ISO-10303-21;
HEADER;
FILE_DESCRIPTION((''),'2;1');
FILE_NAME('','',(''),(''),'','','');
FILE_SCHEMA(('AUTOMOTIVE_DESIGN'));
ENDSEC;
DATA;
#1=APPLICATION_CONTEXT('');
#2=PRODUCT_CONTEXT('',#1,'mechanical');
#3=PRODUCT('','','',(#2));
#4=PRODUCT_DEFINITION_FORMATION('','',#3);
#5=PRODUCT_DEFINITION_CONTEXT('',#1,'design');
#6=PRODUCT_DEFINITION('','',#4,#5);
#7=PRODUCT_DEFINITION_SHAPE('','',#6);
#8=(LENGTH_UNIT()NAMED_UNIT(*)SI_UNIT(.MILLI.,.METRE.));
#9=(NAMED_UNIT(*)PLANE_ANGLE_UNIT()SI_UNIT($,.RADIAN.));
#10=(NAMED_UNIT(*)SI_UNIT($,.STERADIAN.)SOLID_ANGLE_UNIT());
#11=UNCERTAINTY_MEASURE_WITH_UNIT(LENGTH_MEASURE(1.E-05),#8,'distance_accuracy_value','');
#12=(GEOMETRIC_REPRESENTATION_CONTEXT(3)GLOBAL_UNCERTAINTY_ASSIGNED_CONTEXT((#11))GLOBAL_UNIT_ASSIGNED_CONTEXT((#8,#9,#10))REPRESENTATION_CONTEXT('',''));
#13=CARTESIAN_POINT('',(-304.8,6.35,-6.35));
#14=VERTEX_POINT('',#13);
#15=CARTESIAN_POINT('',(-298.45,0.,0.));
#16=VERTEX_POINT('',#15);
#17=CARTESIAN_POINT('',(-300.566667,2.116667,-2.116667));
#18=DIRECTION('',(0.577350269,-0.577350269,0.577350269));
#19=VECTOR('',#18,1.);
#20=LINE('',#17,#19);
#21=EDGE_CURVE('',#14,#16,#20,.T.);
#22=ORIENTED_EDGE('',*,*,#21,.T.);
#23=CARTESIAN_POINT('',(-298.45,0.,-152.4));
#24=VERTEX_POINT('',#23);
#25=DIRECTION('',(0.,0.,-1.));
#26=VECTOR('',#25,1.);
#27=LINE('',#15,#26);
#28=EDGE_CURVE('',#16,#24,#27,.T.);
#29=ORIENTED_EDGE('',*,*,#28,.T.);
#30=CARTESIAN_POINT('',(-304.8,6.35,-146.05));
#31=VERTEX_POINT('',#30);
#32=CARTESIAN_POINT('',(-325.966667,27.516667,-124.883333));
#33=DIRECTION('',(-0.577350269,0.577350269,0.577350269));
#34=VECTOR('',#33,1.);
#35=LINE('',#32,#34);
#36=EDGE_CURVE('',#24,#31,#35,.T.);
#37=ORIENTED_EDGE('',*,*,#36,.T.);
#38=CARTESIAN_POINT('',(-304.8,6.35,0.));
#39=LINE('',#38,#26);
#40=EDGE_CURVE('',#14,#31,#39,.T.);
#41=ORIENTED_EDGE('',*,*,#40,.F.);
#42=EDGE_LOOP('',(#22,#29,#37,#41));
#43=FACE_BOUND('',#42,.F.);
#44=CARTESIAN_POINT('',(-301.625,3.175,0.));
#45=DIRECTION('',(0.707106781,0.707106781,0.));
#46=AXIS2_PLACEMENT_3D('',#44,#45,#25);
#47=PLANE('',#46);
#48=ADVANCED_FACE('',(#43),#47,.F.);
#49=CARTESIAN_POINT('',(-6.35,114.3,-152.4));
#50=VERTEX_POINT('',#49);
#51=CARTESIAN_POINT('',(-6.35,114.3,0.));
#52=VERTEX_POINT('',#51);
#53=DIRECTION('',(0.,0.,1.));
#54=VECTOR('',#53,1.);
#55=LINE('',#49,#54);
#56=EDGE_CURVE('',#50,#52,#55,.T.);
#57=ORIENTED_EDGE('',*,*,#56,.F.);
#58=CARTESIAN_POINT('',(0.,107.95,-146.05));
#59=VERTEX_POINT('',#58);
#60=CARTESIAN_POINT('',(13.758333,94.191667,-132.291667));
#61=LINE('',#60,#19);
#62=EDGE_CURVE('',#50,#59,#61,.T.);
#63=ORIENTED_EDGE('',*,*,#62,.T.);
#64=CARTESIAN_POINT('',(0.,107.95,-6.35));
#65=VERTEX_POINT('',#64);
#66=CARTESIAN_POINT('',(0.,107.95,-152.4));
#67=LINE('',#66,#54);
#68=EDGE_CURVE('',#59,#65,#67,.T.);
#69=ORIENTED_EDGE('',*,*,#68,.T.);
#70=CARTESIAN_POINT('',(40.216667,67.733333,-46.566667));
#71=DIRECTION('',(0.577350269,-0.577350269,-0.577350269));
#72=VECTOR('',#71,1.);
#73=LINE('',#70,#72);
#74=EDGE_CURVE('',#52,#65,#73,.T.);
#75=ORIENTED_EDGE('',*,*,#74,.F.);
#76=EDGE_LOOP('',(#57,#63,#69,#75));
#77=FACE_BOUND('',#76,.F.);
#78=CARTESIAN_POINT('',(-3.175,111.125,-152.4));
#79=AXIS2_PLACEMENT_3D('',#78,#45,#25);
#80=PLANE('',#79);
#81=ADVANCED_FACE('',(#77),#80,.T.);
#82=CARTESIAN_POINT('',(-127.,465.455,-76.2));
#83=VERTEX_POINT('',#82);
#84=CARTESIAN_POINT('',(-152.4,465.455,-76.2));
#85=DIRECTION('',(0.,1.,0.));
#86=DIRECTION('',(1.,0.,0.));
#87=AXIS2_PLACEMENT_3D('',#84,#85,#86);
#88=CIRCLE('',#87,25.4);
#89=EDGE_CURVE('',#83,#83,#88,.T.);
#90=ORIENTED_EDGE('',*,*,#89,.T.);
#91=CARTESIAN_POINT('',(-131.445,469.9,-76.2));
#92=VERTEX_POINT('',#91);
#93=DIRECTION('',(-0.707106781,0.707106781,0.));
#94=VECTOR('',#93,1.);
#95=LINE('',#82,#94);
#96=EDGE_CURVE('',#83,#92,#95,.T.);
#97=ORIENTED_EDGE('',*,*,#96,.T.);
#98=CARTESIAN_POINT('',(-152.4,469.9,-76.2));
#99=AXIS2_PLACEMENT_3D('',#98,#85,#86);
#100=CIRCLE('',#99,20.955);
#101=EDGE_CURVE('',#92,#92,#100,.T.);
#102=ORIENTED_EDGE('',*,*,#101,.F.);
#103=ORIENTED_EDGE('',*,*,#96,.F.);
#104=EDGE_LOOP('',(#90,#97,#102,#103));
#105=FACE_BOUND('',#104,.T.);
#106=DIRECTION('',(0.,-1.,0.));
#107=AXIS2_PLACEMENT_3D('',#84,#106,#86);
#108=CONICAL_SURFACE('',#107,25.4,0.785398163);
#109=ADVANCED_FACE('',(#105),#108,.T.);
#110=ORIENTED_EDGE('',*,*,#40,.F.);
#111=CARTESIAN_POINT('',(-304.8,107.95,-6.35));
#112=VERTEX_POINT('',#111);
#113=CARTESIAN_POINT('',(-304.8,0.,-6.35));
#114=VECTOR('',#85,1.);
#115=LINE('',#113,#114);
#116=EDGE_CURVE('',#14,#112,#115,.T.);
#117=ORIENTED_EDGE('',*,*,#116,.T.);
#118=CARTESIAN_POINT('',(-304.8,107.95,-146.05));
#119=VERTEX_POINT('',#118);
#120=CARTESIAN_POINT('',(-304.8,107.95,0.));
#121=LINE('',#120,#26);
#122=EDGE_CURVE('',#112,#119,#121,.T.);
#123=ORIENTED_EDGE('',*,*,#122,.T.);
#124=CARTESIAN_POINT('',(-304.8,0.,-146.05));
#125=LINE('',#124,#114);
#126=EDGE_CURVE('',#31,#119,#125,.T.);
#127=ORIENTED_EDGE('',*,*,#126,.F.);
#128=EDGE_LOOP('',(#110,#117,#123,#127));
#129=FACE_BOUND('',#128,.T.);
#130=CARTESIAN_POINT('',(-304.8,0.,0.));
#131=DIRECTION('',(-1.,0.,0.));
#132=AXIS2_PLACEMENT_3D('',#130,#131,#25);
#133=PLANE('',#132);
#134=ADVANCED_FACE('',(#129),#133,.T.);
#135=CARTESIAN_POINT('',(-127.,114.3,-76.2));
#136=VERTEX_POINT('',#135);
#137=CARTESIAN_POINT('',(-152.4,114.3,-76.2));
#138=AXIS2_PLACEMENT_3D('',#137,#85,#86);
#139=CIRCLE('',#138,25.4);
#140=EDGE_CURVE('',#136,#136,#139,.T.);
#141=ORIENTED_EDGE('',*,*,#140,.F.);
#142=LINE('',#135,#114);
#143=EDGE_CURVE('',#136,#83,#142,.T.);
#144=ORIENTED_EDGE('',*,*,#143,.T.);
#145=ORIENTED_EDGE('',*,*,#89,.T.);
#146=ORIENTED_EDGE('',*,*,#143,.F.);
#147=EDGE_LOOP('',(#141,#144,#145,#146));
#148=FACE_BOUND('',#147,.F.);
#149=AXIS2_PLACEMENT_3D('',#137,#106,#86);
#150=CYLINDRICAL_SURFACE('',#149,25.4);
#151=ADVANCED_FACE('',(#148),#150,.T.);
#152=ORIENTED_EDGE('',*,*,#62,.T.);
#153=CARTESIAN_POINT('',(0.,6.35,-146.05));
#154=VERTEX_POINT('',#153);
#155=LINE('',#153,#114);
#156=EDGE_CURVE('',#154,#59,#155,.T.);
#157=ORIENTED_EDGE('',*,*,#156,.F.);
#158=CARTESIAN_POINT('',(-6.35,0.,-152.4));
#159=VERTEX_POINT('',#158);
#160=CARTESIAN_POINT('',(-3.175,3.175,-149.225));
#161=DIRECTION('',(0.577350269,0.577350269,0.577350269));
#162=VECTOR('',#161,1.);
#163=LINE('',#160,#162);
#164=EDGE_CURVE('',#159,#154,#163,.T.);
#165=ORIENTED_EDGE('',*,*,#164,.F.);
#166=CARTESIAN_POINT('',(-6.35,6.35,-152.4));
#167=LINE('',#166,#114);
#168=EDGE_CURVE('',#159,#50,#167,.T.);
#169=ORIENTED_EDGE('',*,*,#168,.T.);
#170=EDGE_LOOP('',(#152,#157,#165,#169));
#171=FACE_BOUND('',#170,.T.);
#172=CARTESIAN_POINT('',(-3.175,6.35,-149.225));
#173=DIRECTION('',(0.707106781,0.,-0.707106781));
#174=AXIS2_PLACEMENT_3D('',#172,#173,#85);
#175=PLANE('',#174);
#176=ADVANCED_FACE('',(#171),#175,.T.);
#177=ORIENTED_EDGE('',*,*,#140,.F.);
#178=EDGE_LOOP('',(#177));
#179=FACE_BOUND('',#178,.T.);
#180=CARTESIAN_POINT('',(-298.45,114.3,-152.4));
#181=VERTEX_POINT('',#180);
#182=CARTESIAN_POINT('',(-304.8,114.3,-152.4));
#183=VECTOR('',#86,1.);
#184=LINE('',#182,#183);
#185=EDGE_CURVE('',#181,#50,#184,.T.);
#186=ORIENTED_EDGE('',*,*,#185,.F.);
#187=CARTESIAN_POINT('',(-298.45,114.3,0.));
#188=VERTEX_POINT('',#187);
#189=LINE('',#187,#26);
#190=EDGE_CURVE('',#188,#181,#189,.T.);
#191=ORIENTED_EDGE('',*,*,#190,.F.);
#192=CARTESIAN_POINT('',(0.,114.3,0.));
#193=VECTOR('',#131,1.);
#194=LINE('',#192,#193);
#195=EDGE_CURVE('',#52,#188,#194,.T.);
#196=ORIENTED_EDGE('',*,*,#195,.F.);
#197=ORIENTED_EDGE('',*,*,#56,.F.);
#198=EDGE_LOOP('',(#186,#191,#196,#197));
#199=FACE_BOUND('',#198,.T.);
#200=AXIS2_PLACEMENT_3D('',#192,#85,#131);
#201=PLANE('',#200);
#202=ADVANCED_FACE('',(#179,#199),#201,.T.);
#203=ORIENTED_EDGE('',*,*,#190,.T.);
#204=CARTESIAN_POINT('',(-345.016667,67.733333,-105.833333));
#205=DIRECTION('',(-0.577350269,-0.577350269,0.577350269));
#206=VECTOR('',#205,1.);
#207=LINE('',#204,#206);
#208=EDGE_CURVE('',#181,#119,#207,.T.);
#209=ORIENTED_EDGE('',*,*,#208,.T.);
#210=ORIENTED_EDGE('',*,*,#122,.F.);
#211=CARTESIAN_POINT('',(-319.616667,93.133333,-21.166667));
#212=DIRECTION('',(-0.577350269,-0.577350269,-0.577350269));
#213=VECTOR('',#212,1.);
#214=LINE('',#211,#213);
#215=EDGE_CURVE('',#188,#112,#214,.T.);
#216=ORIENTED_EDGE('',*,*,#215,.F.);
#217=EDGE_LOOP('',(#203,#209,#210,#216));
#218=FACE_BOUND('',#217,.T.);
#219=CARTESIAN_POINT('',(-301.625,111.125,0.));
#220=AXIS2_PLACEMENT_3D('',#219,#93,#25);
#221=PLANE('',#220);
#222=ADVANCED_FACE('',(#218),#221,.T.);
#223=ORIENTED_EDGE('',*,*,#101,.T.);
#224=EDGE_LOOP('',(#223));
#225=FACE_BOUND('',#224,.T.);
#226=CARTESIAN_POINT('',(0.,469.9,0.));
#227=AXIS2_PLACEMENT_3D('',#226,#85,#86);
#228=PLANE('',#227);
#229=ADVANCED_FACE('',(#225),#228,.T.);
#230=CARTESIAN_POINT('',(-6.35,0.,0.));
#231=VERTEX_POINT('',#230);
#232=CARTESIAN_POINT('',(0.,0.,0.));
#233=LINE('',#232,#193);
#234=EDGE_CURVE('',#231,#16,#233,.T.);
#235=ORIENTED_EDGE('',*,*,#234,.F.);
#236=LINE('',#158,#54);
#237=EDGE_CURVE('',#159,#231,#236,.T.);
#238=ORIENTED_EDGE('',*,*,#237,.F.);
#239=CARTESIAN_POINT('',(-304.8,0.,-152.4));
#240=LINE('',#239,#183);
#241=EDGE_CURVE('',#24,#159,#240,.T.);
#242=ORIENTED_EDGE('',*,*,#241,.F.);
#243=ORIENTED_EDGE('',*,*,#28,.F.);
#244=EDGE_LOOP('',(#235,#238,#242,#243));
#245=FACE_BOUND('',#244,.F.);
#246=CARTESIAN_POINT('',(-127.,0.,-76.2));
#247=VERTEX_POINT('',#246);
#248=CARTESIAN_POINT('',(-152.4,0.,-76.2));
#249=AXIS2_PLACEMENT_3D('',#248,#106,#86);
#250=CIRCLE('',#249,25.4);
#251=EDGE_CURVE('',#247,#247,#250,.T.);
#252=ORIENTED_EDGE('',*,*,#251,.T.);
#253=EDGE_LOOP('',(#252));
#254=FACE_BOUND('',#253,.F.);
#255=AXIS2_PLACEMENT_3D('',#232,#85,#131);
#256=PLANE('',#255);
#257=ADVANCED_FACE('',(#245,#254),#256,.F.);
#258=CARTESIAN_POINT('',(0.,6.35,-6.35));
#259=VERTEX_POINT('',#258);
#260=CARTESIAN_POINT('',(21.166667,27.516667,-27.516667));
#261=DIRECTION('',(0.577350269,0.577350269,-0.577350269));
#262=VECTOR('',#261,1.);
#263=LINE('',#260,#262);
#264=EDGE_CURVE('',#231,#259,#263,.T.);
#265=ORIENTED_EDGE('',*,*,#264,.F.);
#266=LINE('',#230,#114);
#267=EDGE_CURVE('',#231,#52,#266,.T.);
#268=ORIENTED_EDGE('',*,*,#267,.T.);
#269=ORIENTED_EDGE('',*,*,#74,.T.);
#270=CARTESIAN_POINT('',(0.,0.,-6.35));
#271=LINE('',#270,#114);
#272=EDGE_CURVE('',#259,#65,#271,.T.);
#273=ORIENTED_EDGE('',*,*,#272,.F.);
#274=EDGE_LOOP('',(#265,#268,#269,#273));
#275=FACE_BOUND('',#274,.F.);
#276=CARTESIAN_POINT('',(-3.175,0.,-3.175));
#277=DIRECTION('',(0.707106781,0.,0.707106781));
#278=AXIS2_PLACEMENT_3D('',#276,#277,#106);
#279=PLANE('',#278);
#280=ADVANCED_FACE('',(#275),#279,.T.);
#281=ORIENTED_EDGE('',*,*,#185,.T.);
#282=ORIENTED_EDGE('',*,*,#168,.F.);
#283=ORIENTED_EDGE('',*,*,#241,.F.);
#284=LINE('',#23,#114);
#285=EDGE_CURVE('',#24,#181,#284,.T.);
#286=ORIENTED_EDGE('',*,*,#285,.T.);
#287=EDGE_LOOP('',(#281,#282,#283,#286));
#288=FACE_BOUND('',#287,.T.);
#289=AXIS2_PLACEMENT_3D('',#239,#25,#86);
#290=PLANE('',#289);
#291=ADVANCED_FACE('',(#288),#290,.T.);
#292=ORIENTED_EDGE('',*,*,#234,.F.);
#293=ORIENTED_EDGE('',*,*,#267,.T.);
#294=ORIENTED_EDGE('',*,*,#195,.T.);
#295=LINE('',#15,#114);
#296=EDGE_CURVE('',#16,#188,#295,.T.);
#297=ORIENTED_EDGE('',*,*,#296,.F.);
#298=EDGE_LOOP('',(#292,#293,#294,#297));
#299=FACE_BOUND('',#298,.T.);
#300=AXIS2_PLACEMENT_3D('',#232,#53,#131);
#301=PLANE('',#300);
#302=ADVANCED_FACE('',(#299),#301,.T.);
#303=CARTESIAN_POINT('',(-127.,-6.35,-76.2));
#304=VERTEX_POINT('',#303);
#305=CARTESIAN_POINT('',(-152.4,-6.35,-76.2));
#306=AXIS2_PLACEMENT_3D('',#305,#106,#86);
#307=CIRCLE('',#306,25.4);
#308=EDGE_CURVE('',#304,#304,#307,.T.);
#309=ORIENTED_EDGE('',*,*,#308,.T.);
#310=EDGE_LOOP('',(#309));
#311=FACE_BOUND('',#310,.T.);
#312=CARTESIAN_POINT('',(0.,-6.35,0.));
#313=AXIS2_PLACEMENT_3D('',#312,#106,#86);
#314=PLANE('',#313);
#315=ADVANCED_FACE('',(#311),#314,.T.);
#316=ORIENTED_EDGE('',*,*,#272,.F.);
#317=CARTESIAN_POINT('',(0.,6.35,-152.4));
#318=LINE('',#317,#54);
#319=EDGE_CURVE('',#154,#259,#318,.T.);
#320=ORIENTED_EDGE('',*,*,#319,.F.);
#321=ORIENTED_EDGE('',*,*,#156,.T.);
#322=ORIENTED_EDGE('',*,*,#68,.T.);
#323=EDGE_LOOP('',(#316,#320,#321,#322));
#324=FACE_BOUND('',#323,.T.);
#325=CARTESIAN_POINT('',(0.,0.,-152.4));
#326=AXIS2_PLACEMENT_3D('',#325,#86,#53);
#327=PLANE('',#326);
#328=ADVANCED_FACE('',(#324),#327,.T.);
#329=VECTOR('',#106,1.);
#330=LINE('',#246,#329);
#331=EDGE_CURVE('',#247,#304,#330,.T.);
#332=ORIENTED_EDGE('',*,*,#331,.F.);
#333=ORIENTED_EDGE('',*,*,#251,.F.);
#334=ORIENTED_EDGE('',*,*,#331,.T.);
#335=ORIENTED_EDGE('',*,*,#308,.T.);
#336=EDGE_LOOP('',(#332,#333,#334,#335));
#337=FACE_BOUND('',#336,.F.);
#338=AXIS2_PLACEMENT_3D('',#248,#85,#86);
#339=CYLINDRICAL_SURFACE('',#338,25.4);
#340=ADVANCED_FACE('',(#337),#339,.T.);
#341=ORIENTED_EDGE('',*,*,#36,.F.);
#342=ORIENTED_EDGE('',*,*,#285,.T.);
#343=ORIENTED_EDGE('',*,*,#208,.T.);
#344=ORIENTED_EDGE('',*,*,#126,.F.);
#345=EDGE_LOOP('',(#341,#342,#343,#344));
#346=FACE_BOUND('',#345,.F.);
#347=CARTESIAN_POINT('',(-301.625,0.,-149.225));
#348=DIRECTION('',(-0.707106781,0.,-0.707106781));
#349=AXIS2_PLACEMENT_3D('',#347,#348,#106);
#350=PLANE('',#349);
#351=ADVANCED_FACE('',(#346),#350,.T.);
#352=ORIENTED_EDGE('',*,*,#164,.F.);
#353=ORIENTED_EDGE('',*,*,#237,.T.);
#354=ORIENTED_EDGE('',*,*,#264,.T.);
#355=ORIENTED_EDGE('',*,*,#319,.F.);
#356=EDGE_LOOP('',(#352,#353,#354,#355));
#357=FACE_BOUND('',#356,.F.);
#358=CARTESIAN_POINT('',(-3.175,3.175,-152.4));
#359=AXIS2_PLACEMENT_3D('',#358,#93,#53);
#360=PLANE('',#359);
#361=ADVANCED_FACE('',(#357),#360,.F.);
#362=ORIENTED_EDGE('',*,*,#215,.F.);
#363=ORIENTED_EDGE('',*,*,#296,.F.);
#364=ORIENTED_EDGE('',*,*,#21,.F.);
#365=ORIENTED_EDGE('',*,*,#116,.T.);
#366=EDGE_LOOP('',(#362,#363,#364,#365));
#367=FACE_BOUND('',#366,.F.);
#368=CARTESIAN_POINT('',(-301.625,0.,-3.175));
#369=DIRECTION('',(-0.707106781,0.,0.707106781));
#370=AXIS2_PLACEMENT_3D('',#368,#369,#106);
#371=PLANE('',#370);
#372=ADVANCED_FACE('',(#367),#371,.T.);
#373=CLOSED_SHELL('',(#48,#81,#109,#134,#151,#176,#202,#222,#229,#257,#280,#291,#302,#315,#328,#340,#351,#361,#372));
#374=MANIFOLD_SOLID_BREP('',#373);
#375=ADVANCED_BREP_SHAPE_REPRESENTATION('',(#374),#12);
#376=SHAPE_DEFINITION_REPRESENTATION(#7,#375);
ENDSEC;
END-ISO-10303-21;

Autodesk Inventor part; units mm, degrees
ref_plane "YZ Plane" through (0, 0, 0) normal (1, 0, 0) x (0, 1, 0)
ref_plane "XZ Plane" through (0, 0, 0) normal (0, 1, 0) x (-1, 0, 0)
ref_plane "XY Plane" through (0, 0, 0) normal (0, 0, 1) x (1, 0, 0)
sketch "Sketch1" plane through (0, 0, 0) normal (0, 1, 0) x (-1, 0, 0)
  line L0 (0, 0) -> (304.8, 0)
  line L1 (304.8, 0) -> (304.8, -152.4)
  line L2 (304.8, -152.4) -> (0, -152.4)
  line L3 (0, -152.4) -> (0, 0)
  dimension "d0" = 304.8
  dimension "d1" = 152.4
extrude "Extrusion1" add sketch "Sketch1" along normal blind 114.3
sketch "Sketch2" plane through (0, 114.3, 0) normal (0, 1, 0) x (1, 0, 0)
  circle A0 centre (-152.4, 76.2) radius 25.4
  line L0 (0, 0) -> (0, 152.4) projected
  line L1 (0, 152.4) -> (-304.8, 152.4) projected
  dimension "d4" = 152.4
  dimension "d5" = 76.2
  dimension "d6" = 50.8
extrude "Extrusion2" add sketch "Sketch2" along normal blind 355.6
sketch "Sketch3" plane through (0, 0, 0) normal (1, 0, 0) x (0, 0, -1)
  line L0 (152.4, 0) -> (152.4, 114.3) projected
  line L1 (0, 0) -> (152.4, 0)
  line L2 (152.4, 0) -> (152.4, 114.3)
  line L3 (152.4, 114.3) -> (0, 114.3)
  line L4 (0, 114.3) -> (0, 0)
chamfer "Chamfer1" distance 6.35 angle 45 1 edges at (0, 114.3, -76.2)
chamfer "Chamfer2" distance 6.35 angle 45 1 edges at (0, 53.975, 0)
chamfer "Chamfer3" distance 6.35 angle 45 1 edges at (0, 0, -79.375)
chamfer "Chamfer4" distance 6.35 angle 45 1 edges at (0, 57.15, -152.4)
chamfer "Chamfer5" distance 6.35 angle 45 4 edges at (-304.8, 114.3, -76.2) (-304.8, 57.15, -152.4) (-304.8, 57.15, 0) (-304.8, 0, -76.2)
chamfer "Chamfer6" distance 4.445 angle 45 1 edges at (-177.8, 469.9, -76.2)
sketch "Sketch4" plane through (0, 0, 0) normal (0, -1, 0) x (1, 0, 0)
  circle A0 centre (-152.4, -76.2) radius 25.4 projected
  circle A1 centre (-152.4, -76.2) radius 25.4
  point P0 (0, 0)
extrude "Extrusion3" add sketch "Sketch4" along normal blind 6.35
properties part number "Mjolnir"
